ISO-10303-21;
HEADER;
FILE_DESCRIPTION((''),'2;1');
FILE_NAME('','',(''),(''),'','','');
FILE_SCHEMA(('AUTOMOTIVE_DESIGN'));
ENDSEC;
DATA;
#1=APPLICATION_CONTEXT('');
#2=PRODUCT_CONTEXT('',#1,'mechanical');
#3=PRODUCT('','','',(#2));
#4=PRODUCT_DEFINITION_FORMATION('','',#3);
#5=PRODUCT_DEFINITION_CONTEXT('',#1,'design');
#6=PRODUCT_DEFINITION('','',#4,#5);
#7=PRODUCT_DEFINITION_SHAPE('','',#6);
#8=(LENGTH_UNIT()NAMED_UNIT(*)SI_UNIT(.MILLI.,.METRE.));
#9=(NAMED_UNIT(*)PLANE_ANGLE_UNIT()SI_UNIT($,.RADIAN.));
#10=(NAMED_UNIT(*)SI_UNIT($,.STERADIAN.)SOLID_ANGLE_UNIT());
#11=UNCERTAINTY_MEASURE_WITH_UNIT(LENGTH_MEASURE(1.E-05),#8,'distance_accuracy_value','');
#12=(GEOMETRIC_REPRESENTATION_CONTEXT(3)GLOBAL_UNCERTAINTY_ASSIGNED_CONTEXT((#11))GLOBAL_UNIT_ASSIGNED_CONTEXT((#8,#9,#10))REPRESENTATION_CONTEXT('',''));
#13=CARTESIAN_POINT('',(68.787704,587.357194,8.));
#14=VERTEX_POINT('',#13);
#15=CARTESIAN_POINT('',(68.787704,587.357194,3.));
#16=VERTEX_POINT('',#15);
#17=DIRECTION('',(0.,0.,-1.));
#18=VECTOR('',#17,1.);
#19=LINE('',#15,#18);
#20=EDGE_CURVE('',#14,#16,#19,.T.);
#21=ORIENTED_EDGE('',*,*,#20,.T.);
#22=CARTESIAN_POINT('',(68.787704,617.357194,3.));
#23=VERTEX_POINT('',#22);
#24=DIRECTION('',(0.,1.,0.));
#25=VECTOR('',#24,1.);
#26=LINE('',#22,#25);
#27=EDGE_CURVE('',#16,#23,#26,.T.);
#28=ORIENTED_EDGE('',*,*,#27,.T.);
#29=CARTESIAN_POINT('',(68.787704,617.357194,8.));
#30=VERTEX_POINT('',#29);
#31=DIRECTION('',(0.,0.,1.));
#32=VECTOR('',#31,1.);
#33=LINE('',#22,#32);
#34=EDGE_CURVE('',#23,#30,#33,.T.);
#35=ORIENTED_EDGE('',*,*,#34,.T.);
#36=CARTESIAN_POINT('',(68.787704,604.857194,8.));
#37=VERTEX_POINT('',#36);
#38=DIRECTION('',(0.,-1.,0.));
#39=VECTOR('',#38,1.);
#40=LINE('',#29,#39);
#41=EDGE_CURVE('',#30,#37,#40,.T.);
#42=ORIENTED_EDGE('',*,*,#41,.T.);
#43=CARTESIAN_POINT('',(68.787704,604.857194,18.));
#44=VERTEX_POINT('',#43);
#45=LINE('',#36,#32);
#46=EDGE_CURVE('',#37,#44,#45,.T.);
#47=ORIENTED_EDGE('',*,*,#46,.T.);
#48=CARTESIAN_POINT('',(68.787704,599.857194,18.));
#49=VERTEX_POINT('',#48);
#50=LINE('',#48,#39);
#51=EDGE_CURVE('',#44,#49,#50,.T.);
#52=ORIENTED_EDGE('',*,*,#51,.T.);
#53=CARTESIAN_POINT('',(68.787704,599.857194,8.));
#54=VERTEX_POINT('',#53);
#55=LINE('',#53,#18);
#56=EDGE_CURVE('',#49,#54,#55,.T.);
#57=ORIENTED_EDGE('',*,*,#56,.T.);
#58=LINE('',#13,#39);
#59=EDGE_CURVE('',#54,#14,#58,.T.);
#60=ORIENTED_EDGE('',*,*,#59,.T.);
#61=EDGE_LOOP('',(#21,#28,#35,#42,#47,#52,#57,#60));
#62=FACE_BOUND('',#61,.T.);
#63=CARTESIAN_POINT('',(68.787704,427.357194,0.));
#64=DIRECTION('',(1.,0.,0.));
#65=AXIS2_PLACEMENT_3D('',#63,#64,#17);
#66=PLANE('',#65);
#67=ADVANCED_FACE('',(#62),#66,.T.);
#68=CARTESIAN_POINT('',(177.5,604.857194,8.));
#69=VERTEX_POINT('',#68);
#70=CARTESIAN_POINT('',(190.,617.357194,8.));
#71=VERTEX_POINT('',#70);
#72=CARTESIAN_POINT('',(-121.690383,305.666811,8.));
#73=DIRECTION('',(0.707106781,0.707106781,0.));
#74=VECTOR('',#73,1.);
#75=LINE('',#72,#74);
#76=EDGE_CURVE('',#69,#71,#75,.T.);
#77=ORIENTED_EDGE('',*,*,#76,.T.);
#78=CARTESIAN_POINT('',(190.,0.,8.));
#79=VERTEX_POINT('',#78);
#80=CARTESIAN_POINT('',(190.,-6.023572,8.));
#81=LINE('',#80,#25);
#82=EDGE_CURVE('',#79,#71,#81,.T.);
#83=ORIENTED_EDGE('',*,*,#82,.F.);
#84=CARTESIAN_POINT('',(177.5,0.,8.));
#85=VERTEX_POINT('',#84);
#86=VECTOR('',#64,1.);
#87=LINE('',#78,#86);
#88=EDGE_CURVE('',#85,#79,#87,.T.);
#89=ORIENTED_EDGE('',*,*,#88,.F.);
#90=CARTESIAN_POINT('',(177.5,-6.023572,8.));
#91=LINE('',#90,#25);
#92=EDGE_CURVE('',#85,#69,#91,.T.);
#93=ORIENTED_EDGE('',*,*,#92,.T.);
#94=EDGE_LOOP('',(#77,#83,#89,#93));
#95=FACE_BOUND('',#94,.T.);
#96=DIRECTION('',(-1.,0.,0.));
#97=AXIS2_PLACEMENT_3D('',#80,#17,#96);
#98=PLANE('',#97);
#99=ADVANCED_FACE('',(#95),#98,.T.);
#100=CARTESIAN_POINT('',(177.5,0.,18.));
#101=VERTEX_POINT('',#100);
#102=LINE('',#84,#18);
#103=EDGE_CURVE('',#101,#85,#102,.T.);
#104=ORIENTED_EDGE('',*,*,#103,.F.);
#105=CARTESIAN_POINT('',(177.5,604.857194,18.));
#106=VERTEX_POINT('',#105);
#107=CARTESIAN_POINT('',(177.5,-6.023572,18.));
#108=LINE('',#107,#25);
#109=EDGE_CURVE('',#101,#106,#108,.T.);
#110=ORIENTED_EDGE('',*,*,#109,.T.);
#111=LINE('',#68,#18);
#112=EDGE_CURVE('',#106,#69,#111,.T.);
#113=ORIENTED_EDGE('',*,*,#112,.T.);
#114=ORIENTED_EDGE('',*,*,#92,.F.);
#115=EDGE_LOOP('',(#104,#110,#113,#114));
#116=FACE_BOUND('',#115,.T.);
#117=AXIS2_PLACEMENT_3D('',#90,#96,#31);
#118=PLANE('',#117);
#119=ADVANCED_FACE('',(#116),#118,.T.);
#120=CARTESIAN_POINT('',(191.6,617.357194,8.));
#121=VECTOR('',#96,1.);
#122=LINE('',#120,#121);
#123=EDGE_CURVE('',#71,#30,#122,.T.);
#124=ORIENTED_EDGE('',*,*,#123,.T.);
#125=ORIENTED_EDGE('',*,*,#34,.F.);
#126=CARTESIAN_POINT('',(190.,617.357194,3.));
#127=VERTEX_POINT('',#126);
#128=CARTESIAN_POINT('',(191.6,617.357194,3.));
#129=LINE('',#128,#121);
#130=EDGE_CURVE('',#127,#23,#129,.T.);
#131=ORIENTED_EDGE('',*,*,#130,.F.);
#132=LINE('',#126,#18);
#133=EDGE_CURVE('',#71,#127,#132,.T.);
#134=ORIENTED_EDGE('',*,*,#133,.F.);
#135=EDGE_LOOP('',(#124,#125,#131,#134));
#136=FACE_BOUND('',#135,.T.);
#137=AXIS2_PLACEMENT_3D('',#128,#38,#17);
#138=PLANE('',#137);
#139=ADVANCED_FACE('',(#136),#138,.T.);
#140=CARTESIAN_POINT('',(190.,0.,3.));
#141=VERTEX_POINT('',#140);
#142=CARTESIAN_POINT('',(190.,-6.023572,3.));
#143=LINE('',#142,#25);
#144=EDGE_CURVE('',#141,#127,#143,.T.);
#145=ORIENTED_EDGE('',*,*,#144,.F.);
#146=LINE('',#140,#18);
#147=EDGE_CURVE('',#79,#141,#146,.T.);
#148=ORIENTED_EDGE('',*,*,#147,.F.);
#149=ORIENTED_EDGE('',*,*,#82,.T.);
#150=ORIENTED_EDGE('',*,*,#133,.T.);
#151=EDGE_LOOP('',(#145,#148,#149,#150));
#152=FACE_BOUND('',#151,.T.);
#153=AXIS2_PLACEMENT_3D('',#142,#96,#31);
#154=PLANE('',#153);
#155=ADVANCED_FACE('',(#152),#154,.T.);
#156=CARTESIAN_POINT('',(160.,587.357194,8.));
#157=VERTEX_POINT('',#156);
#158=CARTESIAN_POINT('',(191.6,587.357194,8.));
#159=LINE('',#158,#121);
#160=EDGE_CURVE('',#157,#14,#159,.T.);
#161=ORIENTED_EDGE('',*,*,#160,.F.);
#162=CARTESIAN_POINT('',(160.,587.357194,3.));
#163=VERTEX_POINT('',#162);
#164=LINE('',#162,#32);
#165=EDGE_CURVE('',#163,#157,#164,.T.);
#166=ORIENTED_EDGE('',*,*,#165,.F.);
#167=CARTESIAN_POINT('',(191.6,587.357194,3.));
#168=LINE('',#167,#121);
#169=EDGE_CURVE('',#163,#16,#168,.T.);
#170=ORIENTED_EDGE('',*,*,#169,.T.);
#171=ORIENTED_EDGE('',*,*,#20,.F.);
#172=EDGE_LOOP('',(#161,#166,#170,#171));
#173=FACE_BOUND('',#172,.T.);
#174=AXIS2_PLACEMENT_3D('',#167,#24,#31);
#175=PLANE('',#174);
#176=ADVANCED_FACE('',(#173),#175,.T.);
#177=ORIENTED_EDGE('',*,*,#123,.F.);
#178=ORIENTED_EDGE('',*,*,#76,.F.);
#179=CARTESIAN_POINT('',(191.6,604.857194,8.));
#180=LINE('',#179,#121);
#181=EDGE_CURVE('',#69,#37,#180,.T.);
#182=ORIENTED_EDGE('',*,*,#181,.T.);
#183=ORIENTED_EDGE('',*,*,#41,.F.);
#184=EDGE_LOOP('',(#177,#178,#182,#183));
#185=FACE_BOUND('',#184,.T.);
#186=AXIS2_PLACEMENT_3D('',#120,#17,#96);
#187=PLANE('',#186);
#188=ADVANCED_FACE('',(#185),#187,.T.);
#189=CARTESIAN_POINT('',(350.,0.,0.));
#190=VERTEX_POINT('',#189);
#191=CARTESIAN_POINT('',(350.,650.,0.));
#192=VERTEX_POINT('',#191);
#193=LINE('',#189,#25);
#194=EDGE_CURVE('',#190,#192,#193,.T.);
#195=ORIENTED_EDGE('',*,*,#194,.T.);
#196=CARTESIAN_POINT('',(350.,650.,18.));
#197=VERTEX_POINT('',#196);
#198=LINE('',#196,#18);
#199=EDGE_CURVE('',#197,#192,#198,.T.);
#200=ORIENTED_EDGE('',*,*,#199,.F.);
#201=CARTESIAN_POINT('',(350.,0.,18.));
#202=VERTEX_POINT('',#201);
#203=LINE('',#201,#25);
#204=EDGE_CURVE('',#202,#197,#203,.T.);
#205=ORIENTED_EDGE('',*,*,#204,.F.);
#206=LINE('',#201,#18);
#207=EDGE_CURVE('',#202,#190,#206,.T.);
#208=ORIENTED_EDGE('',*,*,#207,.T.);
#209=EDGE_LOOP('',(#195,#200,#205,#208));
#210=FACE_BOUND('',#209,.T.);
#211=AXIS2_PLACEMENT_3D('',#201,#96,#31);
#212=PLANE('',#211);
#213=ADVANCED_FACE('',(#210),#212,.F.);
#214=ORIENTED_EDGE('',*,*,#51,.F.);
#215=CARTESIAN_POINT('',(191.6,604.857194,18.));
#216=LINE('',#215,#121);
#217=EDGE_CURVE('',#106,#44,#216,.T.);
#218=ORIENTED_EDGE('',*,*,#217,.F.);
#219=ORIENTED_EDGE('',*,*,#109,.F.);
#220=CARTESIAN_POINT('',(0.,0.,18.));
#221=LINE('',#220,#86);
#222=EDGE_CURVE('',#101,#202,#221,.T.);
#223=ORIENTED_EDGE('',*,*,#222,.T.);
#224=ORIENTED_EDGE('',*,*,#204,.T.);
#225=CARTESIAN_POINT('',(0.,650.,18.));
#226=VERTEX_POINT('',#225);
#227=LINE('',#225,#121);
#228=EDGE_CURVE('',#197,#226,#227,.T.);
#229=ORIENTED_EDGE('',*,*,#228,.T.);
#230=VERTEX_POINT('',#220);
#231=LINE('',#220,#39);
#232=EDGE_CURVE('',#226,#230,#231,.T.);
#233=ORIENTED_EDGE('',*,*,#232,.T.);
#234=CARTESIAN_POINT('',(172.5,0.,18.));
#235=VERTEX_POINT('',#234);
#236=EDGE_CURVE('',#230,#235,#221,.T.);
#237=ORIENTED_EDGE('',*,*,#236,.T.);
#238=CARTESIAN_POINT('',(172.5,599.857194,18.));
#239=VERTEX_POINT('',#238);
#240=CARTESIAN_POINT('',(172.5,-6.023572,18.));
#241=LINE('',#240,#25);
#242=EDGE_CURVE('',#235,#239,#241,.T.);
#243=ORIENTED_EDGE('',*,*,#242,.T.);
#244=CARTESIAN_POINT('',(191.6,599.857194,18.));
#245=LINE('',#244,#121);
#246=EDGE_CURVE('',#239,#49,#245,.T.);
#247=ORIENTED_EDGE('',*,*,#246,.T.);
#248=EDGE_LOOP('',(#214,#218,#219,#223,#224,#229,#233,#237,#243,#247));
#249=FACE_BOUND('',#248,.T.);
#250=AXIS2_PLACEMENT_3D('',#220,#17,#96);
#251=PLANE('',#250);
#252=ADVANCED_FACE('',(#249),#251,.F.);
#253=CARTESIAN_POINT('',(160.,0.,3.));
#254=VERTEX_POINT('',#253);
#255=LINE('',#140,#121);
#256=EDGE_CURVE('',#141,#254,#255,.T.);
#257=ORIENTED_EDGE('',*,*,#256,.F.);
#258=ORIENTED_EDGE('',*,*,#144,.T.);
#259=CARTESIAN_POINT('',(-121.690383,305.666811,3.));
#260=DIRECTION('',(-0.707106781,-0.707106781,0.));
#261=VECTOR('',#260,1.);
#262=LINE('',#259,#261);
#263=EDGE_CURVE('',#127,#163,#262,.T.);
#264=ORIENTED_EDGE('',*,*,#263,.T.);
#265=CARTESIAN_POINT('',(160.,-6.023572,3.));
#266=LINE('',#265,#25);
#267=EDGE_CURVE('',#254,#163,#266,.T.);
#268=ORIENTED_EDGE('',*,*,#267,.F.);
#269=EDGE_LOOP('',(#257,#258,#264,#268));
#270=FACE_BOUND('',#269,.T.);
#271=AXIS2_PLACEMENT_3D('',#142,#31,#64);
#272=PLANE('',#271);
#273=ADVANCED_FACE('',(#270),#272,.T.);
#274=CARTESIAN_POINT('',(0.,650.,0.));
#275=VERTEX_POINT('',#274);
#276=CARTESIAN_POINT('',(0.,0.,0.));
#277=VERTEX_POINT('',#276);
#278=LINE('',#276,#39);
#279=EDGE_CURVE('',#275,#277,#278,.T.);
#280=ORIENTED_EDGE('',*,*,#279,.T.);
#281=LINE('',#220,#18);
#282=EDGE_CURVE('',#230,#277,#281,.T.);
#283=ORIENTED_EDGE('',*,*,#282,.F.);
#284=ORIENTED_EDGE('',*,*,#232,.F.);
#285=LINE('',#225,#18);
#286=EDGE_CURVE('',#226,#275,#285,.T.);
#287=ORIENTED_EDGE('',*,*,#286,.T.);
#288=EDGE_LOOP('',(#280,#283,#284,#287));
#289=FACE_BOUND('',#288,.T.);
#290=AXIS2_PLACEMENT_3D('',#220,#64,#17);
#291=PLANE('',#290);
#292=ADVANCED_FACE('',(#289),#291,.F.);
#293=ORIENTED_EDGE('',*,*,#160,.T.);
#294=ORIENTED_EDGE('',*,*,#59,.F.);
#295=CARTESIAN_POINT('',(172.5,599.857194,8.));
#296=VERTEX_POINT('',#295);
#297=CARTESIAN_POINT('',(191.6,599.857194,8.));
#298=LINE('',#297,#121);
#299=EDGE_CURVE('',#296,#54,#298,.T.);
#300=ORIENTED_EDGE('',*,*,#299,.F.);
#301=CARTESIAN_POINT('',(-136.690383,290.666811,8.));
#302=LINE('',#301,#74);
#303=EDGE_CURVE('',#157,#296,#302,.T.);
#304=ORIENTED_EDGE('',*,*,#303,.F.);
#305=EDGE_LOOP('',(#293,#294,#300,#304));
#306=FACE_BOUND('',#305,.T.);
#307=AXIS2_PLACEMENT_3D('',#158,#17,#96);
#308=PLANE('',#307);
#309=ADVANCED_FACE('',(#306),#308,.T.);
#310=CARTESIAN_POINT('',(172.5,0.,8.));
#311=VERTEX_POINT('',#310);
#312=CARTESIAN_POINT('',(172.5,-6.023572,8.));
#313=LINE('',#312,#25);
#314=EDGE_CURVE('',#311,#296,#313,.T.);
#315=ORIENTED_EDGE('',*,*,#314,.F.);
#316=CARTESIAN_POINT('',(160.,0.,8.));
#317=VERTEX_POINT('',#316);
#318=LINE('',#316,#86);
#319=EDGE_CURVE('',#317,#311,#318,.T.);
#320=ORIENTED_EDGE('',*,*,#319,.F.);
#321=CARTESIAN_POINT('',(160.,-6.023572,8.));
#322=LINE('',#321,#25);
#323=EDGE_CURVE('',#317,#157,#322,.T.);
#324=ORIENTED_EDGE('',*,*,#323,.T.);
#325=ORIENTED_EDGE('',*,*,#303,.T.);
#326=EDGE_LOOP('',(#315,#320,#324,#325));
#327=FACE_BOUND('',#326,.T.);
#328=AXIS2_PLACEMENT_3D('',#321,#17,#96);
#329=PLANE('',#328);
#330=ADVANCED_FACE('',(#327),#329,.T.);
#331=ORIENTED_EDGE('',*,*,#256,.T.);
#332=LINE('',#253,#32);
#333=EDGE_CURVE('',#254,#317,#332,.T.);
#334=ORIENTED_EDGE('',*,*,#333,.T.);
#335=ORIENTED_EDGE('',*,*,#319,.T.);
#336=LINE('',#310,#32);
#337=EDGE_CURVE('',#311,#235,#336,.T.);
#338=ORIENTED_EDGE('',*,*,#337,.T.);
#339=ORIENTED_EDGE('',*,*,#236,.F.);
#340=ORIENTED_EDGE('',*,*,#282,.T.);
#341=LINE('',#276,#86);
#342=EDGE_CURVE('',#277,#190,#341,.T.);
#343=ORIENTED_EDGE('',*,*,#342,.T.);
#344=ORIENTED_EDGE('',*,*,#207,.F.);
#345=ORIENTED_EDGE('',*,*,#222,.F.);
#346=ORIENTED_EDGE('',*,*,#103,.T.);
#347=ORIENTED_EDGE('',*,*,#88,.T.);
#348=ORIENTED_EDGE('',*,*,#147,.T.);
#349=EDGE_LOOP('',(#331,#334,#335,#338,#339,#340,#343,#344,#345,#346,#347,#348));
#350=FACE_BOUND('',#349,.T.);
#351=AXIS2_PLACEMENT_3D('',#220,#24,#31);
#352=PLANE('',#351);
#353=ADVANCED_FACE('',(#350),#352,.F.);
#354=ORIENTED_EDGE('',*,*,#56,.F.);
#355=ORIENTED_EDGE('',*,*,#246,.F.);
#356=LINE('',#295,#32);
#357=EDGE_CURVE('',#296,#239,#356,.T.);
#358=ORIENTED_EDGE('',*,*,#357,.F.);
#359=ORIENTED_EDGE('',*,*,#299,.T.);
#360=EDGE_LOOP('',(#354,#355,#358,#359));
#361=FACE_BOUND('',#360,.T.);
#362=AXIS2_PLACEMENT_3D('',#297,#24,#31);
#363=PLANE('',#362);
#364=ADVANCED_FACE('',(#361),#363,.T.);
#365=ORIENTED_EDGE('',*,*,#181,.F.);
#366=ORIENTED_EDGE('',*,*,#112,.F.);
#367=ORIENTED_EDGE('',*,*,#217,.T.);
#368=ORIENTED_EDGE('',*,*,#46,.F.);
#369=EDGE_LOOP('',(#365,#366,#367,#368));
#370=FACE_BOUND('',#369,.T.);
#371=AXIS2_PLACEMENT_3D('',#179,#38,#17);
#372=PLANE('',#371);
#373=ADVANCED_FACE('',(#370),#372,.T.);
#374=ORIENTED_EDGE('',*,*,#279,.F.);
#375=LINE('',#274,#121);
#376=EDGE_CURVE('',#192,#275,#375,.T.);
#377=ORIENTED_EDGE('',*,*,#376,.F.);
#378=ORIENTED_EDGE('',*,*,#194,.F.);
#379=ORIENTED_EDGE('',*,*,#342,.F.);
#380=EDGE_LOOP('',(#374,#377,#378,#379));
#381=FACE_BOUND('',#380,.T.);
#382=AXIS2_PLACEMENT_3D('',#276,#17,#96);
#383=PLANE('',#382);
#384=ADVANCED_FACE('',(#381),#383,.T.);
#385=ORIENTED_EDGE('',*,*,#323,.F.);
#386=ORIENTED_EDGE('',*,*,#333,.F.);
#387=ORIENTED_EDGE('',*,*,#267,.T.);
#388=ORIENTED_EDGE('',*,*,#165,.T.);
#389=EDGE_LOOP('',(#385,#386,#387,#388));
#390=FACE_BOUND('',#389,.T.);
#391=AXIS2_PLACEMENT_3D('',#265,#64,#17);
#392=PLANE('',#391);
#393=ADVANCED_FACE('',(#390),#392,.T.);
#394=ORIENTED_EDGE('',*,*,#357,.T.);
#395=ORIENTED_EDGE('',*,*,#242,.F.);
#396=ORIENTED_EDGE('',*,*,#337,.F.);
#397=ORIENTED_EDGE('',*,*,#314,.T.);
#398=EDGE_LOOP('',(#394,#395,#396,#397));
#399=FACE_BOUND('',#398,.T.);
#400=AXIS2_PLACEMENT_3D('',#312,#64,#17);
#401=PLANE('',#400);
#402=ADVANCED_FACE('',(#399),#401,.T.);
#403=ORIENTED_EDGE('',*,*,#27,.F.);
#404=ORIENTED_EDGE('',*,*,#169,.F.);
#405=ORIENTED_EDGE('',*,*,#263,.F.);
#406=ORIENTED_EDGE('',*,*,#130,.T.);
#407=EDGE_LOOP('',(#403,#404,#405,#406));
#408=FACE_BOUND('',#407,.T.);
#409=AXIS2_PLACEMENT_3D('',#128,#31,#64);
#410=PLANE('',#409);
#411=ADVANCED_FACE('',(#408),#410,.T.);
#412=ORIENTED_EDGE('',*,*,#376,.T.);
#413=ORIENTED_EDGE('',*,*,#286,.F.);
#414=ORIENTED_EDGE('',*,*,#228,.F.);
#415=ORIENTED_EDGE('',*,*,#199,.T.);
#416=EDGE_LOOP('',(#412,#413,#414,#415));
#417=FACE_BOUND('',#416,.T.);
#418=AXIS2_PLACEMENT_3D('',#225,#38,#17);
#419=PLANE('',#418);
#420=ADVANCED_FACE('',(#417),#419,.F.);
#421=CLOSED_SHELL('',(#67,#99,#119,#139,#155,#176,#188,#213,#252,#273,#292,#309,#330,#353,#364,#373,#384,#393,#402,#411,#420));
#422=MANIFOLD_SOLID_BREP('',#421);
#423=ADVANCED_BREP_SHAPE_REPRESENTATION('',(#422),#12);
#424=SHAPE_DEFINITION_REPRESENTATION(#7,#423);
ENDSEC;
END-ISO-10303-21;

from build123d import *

# Parameters (mm, degrees)
SKICA1_W                = 350
SKICA1_H                = 650
P_IDAT_VYSUNUT_M2_DEPTH = 18


with BuildPart() as part:
    # Skica1 → Přidat vysunutím2 (new body)
    with BuildSketch(Plane.XY):
        with Locations((175, 325)):
            Rectangle(SKICA1_W, SKICA1_H)
    extrude(amount=P_IDAT_VYSUNUT_M2_DEPTH)

    # Odebrat tažením po křivce8: sweep along a path in cesta
    with BuildLine(Plane.XY.offset(18)) as odebrat_ta_en_m_po_k_ivce8_path:
        Line((175, 0), (175, 602.357194164))
        Line((175, 602.357194164), (68.787703731, 602.357194164))
    # profil na frezu → Odebrat tažením po křivce8 (sweep, cut)
    with BuildSketch(Plane.XZ):
        Polygon((190, 3), (190, 8), (177.5, 8), (177.5, 18), (172.5, 18), (172.5, 8), (160, 8), (160, 3), align=None)
    sweep(path=odebrat_ta_en_m_po_k_ivce8_path.line, transition=Transition.RIGHT, mode=Mode.SUBTRACT)


solid = part.part
